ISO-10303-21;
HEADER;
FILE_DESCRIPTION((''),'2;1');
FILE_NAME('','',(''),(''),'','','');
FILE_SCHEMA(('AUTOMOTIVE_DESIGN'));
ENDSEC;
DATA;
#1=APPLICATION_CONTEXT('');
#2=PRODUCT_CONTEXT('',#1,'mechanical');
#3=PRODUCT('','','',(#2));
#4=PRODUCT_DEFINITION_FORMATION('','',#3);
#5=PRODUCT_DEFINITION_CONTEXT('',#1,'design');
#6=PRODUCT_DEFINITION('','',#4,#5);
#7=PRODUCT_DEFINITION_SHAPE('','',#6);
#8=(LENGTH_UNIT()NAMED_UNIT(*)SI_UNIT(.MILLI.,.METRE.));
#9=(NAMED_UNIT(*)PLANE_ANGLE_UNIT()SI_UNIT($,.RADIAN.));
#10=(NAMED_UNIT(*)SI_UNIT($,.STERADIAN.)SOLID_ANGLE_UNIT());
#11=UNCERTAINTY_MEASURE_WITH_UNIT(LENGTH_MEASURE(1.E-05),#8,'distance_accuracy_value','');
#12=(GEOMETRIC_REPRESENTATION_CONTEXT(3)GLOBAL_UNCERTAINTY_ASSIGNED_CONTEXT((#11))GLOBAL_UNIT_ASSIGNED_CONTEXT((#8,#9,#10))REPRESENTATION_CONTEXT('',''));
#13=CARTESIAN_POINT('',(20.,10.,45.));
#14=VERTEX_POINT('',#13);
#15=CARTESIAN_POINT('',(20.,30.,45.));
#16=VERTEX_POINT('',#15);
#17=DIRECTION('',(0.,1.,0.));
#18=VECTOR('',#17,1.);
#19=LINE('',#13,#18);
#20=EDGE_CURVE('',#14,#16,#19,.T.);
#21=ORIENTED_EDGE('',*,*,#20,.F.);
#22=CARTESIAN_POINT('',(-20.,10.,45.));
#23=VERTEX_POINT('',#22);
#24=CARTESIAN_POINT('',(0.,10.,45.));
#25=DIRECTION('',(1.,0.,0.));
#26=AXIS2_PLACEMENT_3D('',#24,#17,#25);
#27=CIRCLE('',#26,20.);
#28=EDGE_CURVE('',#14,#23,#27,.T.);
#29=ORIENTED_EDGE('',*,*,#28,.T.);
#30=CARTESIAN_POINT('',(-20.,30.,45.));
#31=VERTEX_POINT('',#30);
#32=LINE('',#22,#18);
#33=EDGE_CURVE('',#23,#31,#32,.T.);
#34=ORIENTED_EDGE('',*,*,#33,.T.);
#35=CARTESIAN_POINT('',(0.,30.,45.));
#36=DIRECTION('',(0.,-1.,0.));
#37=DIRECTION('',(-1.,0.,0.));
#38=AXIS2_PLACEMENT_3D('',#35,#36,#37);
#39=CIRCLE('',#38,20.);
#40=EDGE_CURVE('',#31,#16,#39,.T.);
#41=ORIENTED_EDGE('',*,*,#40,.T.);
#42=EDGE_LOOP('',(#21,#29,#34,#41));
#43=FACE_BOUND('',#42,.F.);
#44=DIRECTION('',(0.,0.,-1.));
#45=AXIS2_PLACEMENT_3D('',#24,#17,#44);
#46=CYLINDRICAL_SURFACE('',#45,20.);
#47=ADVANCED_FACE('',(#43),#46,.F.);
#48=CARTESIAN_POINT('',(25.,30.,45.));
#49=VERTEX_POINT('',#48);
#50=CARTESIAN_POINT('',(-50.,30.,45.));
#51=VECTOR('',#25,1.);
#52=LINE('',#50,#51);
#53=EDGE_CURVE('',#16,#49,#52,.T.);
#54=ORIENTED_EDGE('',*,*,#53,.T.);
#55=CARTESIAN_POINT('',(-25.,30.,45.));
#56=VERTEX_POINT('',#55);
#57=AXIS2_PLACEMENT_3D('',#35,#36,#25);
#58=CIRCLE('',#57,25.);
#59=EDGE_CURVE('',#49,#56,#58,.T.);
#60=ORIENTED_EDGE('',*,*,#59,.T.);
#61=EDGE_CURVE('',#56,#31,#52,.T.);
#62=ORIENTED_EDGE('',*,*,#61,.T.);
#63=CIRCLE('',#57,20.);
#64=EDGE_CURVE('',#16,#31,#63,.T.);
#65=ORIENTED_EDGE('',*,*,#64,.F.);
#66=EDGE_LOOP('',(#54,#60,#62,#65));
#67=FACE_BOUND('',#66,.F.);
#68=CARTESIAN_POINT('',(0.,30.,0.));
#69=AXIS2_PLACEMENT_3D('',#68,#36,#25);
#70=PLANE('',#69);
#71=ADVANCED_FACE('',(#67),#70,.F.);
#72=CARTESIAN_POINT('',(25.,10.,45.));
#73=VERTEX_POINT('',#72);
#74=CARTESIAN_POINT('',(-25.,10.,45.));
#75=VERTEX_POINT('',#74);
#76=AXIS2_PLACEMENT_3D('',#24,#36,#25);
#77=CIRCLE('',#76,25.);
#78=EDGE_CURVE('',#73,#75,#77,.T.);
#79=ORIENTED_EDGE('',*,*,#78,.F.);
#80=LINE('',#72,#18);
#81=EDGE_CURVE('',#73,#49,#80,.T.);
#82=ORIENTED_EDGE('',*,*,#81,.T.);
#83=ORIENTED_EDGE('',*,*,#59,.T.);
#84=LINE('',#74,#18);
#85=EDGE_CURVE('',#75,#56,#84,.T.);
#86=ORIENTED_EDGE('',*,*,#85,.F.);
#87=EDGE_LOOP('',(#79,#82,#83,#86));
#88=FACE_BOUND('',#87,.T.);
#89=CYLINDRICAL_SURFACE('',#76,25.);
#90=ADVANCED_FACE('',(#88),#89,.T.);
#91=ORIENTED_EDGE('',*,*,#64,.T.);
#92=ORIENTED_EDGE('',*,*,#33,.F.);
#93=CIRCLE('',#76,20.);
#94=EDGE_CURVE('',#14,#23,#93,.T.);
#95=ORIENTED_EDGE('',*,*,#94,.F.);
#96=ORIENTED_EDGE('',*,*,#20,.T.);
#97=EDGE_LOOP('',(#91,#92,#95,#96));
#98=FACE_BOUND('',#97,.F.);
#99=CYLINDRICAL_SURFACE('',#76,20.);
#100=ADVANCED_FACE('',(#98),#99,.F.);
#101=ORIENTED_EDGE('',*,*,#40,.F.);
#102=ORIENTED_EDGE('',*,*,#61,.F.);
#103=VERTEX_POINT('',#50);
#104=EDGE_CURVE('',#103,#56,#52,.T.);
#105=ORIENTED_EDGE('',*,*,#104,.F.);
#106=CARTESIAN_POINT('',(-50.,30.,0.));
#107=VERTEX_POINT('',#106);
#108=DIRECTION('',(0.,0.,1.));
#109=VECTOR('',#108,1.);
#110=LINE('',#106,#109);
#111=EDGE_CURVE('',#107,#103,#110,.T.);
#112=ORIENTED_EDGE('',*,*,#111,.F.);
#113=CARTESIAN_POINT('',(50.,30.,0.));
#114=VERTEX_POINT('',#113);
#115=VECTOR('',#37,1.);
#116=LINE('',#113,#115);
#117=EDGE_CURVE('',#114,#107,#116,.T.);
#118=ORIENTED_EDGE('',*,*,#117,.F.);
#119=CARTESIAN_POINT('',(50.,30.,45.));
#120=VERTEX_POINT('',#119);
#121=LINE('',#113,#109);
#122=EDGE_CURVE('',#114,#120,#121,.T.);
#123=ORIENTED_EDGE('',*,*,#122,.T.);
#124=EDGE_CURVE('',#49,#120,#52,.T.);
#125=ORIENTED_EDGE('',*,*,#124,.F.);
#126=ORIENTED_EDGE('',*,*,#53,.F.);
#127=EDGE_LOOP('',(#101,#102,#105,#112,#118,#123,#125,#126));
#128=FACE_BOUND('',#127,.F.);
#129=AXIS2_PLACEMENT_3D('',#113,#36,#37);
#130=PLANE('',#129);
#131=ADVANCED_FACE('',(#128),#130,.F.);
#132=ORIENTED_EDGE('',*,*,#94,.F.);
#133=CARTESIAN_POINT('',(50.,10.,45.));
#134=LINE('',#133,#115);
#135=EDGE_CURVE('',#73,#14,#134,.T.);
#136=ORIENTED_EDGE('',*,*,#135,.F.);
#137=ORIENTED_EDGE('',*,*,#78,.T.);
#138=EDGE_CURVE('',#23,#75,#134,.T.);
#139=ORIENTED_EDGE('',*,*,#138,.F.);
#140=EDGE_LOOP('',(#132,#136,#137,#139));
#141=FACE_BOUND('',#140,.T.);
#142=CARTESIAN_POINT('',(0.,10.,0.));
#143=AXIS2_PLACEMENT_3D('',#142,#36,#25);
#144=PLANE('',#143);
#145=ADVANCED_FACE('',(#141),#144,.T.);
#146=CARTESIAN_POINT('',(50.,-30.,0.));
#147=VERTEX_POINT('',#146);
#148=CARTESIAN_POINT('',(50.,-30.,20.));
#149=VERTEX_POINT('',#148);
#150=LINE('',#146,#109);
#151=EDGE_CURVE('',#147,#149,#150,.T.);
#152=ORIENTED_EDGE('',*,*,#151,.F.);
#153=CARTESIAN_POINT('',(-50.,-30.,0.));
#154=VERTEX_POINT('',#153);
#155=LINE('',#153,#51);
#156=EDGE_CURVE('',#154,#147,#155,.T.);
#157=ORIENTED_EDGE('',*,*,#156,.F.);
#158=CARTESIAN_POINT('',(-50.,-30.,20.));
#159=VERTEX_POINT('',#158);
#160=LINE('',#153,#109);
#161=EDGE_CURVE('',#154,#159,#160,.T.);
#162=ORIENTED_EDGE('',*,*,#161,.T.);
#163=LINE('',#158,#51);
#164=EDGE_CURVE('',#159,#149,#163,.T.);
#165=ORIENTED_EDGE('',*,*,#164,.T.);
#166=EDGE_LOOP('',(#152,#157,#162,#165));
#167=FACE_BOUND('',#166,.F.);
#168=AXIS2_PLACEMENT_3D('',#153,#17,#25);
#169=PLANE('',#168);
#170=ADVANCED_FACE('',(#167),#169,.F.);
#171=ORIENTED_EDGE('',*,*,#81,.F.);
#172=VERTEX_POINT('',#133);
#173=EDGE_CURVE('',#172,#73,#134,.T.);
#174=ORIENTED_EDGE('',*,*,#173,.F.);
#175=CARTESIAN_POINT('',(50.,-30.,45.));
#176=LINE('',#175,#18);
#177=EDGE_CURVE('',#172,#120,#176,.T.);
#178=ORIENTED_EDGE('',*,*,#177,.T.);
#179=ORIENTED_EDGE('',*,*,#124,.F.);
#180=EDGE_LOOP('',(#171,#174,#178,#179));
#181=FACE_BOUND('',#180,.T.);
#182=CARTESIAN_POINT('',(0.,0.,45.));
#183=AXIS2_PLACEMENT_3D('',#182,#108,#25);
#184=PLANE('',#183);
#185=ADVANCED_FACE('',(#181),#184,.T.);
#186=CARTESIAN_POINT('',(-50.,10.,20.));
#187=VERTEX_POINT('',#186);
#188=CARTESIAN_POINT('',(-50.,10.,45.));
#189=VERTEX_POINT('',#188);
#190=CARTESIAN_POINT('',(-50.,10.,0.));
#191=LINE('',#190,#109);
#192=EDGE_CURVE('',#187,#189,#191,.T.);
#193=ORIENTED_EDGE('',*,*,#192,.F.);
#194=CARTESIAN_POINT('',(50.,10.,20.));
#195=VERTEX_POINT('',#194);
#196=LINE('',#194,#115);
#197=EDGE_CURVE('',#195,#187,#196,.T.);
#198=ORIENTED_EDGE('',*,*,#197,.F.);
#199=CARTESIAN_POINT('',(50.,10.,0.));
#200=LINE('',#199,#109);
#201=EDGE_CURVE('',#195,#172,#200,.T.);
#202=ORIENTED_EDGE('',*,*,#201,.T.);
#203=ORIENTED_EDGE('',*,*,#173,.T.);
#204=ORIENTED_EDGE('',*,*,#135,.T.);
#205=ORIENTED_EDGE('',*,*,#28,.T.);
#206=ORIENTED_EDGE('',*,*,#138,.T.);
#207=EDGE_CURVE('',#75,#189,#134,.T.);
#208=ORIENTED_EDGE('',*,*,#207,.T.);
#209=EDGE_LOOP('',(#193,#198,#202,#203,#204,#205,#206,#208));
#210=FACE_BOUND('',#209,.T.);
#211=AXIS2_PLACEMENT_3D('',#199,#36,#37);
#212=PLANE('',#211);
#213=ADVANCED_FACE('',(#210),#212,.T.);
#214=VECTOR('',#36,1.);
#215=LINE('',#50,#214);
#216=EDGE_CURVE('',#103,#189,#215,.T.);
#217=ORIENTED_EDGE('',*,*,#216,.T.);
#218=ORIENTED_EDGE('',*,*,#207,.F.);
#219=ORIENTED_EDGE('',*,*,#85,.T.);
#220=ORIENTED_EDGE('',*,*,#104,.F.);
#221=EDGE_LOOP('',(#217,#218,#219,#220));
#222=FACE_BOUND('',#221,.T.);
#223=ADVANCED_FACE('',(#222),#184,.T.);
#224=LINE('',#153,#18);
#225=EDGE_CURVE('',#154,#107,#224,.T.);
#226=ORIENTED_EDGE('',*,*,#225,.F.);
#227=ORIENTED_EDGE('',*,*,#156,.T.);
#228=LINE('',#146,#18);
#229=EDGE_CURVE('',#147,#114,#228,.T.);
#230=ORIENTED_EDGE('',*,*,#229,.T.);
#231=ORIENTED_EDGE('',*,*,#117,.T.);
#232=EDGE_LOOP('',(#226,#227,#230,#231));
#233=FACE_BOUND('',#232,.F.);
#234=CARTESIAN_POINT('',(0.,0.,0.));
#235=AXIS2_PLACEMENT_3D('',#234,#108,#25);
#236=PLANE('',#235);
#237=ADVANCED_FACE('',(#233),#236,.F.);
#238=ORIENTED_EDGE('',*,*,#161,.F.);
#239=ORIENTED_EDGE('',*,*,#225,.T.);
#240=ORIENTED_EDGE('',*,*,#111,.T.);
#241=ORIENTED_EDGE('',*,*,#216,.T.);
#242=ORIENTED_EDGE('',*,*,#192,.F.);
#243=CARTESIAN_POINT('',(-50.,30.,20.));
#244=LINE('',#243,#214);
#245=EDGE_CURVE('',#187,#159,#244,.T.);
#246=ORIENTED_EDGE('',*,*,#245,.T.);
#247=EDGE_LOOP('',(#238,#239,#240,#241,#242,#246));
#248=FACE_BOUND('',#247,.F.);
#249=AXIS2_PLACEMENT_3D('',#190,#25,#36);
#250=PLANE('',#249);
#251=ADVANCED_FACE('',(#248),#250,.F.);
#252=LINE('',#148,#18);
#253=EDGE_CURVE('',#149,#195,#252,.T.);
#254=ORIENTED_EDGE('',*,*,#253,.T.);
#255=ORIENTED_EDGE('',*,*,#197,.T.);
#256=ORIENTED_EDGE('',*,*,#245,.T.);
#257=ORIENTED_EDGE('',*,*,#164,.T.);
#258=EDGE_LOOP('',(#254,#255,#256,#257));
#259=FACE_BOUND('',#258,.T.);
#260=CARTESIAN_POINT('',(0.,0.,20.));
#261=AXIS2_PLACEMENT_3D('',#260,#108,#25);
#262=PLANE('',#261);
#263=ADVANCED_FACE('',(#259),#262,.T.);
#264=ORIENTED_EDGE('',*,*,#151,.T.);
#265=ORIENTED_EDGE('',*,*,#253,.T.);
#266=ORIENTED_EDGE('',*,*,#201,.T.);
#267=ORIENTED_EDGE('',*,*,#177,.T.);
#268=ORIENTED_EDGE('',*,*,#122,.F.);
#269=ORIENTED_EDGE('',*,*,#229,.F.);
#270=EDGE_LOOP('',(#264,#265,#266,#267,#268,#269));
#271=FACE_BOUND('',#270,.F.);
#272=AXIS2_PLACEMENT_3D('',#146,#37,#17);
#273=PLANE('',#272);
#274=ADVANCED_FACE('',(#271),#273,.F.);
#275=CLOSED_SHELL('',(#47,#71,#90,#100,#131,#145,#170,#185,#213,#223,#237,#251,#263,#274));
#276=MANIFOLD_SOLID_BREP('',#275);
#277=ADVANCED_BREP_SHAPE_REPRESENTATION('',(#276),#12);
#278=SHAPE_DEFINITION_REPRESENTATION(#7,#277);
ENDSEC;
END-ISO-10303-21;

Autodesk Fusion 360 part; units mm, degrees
sketch "Sketch1" plane through (0, 0, 0) normal (0, 0, 1) x (1, 0, 0)
  line L0 (50, 30) -> (-50, 30)
  line L1 (-50, 30) -> (-50, -30)
  line L2 (-50, -30) -> (50, -30)
  line L3 (50, -30) -> (50, 30)
  line L4 (50, 30) -> (-50, -30) construction
  line L5 (-50, 30) -> (50, -30) construction
  line L6 (-50, 30) -> (-25, 30)
  line L7 (-25, 30) -> (-25, 10)
  line L8 (-25, 10) -> (-50, 10)
  line L9 (-50, 10) -> (-50, 30)
  line L10 (-25, 30) -> (25, 30)
  line L11 (25, 30) -> (25, 10)
  line L12 (25, 10) -> (-25, 10)
  line L13 (-25, 10) -> (-25, 30)
  line L14 (25, 30) -> (50, 30)
  line L15 (50, 30) -> (50, 10)
  line L16 (50, 10) -> (25, 10)
  line L17 (25, 10) -> (25, 30)
  dimension "d1" = 100
  dimension "d2" = 60
  dimension "d3" = 25
  dimension "d4" = 50
  dimension "d5" = 20
extrude "Extrude1" add sketch "Sketch1" along normal blind 20 contours L1 L2 L3 L8 L12 L16
extrude "Extrude2" add sketch "Sketch1" along normal blind 45 contours L0 L3 L11 L14 L15 L16 L17 | L0 L7 L10 L11 L12 L13 L17 | L0 L1 L6 L7 L8 L9 L13
sketch "Sketch2" plane through (0, 0, 0) normal (0, 1, 0) x (1, 0, 0)
sketch "Sketch3" plane through (0, 10, 0) normal (0, -1, 0) x (1, 0, 0)
  line L0 (-50, 20) -> (50, 20)
  line L1 (50, 20) -> (50, 45)
  line L2 (-50, 45) -> (-50, 20)
  circle A0 centre (0, 45) radius 20
  arc A1 (25, 45) -> (-25, 45) centre (0, 45) ccw
  line L3 (-25, 45) -> (-20, 45)
  line L4 (20, 45) -> (25, 45)
  dimension "d10" = 40
hole "Hole1" at (0, 10, 45) direction (0, 1, 0) diameter 40 depth 40 tip angle 118
extrude "Extrude3" add sketch "Sketch3" against normal blind 20 contours A0 A1 L3 L4
sketch "Sketch4" plane through (50, 0, 0) normal (1, 0, 0) x (0, 1, 0)
  line L0 (-30, 0) -> (30, 0)
  line L1 (30, 0) -> (30, 45)
  line L2 (30, 45) -> (10, 45)
  line L3 (10, 45) -> (10, 20)
  line L4 (10, 20) -> (-30, 20)
  line L5 (-30, 20) -> (-30, 0)
